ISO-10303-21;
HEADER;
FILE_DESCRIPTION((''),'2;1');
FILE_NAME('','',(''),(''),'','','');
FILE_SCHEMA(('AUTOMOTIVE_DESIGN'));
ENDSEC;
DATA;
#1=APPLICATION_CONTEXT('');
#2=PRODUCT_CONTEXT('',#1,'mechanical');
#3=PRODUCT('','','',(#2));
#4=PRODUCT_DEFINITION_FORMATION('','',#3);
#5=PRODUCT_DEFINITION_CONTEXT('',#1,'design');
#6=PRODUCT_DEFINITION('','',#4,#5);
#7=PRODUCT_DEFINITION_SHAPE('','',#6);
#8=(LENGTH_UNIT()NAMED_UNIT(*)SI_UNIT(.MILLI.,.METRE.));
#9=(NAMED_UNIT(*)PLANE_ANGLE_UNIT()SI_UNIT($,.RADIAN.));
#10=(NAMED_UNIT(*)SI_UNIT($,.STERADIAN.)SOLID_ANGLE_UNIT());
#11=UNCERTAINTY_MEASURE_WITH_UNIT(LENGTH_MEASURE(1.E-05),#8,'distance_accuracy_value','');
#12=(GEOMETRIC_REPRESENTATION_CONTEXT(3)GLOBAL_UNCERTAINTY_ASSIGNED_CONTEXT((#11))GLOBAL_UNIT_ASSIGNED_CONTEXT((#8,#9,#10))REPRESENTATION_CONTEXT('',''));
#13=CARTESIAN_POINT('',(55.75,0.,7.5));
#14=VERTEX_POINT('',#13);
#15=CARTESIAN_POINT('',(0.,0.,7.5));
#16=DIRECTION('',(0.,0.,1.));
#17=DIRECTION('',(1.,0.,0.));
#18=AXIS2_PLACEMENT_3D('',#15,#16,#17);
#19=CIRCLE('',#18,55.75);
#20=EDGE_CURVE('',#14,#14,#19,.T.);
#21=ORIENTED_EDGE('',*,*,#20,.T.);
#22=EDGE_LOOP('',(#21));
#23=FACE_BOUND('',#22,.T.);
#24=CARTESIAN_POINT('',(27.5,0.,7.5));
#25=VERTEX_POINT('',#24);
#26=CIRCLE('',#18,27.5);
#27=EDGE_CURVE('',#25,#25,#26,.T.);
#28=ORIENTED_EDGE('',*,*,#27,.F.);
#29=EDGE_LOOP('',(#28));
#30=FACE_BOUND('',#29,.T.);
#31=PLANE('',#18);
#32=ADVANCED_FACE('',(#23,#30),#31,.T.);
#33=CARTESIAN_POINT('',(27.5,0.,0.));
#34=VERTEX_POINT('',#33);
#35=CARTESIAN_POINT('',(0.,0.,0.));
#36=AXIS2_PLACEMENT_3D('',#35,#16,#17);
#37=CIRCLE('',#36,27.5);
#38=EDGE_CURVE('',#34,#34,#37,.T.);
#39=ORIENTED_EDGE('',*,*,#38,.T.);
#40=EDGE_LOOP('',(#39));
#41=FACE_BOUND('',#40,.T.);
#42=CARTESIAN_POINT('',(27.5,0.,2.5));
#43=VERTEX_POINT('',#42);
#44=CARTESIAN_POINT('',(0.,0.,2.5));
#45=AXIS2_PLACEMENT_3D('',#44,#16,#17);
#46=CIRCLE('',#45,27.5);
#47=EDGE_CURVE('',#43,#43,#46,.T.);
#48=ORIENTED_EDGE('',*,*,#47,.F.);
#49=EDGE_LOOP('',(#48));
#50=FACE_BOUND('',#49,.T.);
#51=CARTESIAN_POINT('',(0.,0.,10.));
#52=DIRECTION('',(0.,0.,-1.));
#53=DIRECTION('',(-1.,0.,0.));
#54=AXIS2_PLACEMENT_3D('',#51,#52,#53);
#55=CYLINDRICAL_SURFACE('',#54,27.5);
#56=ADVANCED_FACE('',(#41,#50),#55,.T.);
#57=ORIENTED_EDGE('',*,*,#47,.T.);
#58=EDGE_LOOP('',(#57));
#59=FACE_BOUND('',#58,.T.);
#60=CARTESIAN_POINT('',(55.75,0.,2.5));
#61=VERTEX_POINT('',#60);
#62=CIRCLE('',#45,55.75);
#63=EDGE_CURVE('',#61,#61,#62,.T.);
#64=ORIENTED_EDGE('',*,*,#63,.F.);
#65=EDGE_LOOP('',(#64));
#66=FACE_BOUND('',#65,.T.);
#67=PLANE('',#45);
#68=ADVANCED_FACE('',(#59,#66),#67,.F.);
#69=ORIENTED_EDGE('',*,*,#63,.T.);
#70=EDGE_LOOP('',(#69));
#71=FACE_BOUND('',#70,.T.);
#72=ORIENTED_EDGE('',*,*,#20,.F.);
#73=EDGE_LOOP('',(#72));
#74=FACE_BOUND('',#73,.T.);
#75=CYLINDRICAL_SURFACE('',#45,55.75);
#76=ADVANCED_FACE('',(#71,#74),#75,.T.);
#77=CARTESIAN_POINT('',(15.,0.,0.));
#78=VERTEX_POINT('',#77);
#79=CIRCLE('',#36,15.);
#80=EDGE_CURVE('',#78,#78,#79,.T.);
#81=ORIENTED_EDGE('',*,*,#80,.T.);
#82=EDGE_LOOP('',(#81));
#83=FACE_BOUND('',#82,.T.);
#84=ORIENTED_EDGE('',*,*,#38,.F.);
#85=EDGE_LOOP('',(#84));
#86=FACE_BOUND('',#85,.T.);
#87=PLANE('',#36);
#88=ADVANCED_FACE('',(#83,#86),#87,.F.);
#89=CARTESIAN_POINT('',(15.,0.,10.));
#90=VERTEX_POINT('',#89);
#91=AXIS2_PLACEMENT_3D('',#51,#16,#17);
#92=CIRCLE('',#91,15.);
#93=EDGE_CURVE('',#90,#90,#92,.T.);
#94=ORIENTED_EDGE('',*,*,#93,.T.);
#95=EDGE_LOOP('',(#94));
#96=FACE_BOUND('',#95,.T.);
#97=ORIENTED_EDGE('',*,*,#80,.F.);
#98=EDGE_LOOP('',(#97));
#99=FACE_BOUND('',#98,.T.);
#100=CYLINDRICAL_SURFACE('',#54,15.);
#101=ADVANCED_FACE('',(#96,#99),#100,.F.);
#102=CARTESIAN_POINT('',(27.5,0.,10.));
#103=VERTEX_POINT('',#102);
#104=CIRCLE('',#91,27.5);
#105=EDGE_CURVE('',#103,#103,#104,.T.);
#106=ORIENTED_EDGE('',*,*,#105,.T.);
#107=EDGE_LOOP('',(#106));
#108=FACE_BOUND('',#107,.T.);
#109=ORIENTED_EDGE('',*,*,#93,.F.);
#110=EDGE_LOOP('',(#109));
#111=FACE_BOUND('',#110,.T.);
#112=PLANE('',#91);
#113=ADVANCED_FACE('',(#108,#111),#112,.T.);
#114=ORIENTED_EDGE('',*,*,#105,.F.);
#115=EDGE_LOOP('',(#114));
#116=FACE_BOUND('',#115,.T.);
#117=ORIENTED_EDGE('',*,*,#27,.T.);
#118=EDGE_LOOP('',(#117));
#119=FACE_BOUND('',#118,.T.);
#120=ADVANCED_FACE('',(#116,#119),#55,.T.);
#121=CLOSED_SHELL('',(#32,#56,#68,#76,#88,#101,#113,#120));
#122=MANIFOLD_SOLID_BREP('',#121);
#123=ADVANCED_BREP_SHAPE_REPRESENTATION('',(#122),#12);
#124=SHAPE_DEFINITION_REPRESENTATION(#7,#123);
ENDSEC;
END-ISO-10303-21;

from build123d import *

# Parameters (mm, degrees)
SKETCH1_R                = 27.5
SKETCH1_R_2              = 15
BOSS_EXTRUDE1_DEPTH      = 10
SKETCH2_R                = 55.75
SKETCH2_R_2              = 27.5
BOSS_EXTRUDE2_DEPTH      = 2.5
BOSS_EXTRUDE2_DEPTH_BACK = 2.5


with BuildPart() as part:
    # Sketch1 → Boss-Extrude1 (new body)
    with BuildSketch(Plane.XY):
        Circle(SKETCH1_R)
        Circle(SKETCH1_R_2, mode=Mode.SUBTRACT)
    extrude(amount=BOSS_EXTRUDE1_DEPTH)

    # Sketch2 → Boss-Extrude2 (add, two sides)
    with BuildSketch(Plane.XY.offset(5)) as boss_extrude2_sk:
        Circle(SKETCH2_R)
        Circle(SKETCH2_R_2, mode=Mode.SUBTRACT)
    extrude(amount=BOSS_EXTRUDE2_DEPTH)
    extrude(boss_extrude2_sk.sketch, amount=-BOSS_EXTRUDE2_DEPTH_BACK)


solid = part.part
